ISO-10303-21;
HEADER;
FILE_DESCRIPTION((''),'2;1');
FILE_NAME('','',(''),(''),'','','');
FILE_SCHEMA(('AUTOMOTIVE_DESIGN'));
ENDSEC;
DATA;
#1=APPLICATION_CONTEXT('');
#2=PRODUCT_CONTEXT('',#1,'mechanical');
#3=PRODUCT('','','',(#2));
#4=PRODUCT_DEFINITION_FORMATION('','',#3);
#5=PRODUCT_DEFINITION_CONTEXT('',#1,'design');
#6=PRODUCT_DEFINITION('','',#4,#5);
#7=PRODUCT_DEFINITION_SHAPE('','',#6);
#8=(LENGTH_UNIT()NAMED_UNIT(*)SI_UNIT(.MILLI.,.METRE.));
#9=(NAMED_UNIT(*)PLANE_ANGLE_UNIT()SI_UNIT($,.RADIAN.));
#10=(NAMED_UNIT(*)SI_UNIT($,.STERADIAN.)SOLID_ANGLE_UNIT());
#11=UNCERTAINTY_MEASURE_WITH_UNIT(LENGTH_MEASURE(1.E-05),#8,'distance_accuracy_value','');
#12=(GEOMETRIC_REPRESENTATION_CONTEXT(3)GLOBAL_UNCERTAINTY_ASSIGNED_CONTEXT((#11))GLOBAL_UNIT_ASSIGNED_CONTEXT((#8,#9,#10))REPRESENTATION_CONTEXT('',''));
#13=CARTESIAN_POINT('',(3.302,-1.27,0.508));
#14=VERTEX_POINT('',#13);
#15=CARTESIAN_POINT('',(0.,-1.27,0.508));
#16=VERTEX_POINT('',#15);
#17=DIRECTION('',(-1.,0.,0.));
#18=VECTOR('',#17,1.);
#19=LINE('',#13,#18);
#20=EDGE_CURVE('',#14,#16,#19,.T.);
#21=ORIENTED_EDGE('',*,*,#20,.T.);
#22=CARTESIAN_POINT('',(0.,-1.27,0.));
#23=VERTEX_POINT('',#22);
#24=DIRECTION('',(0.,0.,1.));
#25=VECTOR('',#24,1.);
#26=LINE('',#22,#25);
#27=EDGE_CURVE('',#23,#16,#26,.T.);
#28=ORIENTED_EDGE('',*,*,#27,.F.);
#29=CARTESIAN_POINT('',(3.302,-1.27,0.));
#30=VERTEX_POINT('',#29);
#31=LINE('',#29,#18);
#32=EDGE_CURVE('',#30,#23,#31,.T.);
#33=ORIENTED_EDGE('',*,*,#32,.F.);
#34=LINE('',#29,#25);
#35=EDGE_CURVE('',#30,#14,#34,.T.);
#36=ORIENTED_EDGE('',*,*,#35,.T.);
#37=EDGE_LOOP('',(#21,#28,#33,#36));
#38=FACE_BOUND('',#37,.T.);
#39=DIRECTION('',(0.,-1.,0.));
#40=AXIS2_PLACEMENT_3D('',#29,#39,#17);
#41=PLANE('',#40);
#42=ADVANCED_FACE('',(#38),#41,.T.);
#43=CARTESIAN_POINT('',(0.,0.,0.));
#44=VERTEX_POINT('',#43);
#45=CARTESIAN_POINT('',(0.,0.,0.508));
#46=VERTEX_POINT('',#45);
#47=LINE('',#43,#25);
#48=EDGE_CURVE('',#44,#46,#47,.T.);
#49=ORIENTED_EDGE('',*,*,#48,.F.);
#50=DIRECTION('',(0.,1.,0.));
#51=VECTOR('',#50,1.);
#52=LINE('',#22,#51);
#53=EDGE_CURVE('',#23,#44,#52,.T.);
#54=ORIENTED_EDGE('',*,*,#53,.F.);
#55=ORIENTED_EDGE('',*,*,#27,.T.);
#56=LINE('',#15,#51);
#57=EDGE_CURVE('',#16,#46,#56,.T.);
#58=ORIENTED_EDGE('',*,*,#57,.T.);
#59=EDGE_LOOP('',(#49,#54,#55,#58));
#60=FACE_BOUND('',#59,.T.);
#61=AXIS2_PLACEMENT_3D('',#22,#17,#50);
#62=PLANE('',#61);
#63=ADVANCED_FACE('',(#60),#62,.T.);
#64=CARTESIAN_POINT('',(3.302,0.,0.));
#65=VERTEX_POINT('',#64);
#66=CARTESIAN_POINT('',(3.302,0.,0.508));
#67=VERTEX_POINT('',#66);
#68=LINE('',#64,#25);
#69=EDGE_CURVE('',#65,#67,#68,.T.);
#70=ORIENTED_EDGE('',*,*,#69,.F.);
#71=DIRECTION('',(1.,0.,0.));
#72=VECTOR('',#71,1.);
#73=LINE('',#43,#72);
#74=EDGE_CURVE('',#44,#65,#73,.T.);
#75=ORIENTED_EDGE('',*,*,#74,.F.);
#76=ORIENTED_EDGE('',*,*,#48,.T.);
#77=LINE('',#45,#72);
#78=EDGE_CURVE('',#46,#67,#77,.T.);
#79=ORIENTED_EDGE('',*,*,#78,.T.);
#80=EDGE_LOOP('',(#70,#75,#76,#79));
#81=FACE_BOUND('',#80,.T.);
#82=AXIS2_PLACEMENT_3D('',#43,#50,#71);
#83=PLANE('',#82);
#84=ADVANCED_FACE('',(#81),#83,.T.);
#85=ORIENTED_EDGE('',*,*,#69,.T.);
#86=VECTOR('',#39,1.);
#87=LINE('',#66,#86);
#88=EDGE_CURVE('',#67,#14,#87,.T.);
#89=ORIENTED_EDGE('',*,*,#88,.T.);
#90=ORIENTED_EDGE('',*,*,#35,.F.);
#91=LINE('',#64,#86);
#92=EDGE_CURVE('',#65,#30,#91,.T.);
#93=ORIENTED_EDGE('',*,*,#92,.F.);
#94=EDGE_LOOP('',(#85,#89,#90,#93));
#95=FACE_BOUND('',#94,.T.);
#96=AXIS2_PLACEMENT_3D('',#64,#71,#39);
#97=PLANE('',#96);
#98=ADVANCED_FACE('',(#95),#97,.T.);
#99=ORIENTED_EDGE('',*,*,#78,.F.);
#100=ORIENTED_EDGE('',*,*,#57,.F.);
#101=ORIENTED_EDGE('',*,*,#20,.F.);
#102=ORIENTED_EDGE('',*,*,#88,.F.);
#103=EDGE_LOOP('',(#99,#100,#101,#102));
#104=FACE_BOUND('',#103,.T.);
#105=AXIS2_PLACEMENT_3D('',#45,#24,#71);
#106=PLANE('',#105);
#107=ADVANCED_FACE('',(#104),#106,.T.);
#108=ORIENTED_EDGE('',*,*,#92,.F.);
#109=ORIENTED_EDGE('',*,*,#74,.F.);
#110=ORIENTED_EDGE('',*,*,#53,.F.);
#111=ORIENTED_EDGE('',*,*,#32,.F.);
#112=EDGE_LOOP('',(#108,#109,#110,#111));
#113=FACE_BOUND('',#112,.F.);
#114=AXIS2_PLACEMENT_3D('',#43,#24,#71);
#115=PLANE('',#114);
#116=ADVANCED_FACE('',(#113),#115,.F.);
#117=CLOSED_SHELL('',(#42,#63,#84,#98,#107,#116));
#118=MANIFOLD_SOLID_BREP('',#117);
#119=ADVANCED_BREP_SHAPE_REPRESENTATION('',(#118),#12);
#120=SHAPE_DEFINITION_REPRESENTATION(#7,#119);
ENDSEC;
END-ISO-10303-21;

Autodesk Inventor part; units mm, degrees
ref_plane "YZ Plane" through (0, 0, 0) normal (1, 0, 0) x (0, 1, 0)
ref_plane "XZ Plane" through (0, 0, 0) normal (0, 1, 0) x (-1, 0, 0)
ref_plane "XY Plane" through (0, 0, 0) normal (0, 0, 1) x (1, 0, 0)
sketch "Sketch1" plane through (0, 0, 0) normal (0, 0, 1) x (1, 0, 0)
  line L0 (0, 0) -> (3.302, 0)
  line L1 (3.302, 0) -> (3.302, -1.27)
  line L2 (3.302, -1.27) -> (0, -1.27)
  line L3 (0, -1.27) -> (0, 0)
  dimension "d0" = 3.302
  dimension "d1" = 1.27
extrude "Extrusion1" add sketch "Sketch1" along normal blind 0.508
properties part number "SMD Resistor MD" material "Copper"
